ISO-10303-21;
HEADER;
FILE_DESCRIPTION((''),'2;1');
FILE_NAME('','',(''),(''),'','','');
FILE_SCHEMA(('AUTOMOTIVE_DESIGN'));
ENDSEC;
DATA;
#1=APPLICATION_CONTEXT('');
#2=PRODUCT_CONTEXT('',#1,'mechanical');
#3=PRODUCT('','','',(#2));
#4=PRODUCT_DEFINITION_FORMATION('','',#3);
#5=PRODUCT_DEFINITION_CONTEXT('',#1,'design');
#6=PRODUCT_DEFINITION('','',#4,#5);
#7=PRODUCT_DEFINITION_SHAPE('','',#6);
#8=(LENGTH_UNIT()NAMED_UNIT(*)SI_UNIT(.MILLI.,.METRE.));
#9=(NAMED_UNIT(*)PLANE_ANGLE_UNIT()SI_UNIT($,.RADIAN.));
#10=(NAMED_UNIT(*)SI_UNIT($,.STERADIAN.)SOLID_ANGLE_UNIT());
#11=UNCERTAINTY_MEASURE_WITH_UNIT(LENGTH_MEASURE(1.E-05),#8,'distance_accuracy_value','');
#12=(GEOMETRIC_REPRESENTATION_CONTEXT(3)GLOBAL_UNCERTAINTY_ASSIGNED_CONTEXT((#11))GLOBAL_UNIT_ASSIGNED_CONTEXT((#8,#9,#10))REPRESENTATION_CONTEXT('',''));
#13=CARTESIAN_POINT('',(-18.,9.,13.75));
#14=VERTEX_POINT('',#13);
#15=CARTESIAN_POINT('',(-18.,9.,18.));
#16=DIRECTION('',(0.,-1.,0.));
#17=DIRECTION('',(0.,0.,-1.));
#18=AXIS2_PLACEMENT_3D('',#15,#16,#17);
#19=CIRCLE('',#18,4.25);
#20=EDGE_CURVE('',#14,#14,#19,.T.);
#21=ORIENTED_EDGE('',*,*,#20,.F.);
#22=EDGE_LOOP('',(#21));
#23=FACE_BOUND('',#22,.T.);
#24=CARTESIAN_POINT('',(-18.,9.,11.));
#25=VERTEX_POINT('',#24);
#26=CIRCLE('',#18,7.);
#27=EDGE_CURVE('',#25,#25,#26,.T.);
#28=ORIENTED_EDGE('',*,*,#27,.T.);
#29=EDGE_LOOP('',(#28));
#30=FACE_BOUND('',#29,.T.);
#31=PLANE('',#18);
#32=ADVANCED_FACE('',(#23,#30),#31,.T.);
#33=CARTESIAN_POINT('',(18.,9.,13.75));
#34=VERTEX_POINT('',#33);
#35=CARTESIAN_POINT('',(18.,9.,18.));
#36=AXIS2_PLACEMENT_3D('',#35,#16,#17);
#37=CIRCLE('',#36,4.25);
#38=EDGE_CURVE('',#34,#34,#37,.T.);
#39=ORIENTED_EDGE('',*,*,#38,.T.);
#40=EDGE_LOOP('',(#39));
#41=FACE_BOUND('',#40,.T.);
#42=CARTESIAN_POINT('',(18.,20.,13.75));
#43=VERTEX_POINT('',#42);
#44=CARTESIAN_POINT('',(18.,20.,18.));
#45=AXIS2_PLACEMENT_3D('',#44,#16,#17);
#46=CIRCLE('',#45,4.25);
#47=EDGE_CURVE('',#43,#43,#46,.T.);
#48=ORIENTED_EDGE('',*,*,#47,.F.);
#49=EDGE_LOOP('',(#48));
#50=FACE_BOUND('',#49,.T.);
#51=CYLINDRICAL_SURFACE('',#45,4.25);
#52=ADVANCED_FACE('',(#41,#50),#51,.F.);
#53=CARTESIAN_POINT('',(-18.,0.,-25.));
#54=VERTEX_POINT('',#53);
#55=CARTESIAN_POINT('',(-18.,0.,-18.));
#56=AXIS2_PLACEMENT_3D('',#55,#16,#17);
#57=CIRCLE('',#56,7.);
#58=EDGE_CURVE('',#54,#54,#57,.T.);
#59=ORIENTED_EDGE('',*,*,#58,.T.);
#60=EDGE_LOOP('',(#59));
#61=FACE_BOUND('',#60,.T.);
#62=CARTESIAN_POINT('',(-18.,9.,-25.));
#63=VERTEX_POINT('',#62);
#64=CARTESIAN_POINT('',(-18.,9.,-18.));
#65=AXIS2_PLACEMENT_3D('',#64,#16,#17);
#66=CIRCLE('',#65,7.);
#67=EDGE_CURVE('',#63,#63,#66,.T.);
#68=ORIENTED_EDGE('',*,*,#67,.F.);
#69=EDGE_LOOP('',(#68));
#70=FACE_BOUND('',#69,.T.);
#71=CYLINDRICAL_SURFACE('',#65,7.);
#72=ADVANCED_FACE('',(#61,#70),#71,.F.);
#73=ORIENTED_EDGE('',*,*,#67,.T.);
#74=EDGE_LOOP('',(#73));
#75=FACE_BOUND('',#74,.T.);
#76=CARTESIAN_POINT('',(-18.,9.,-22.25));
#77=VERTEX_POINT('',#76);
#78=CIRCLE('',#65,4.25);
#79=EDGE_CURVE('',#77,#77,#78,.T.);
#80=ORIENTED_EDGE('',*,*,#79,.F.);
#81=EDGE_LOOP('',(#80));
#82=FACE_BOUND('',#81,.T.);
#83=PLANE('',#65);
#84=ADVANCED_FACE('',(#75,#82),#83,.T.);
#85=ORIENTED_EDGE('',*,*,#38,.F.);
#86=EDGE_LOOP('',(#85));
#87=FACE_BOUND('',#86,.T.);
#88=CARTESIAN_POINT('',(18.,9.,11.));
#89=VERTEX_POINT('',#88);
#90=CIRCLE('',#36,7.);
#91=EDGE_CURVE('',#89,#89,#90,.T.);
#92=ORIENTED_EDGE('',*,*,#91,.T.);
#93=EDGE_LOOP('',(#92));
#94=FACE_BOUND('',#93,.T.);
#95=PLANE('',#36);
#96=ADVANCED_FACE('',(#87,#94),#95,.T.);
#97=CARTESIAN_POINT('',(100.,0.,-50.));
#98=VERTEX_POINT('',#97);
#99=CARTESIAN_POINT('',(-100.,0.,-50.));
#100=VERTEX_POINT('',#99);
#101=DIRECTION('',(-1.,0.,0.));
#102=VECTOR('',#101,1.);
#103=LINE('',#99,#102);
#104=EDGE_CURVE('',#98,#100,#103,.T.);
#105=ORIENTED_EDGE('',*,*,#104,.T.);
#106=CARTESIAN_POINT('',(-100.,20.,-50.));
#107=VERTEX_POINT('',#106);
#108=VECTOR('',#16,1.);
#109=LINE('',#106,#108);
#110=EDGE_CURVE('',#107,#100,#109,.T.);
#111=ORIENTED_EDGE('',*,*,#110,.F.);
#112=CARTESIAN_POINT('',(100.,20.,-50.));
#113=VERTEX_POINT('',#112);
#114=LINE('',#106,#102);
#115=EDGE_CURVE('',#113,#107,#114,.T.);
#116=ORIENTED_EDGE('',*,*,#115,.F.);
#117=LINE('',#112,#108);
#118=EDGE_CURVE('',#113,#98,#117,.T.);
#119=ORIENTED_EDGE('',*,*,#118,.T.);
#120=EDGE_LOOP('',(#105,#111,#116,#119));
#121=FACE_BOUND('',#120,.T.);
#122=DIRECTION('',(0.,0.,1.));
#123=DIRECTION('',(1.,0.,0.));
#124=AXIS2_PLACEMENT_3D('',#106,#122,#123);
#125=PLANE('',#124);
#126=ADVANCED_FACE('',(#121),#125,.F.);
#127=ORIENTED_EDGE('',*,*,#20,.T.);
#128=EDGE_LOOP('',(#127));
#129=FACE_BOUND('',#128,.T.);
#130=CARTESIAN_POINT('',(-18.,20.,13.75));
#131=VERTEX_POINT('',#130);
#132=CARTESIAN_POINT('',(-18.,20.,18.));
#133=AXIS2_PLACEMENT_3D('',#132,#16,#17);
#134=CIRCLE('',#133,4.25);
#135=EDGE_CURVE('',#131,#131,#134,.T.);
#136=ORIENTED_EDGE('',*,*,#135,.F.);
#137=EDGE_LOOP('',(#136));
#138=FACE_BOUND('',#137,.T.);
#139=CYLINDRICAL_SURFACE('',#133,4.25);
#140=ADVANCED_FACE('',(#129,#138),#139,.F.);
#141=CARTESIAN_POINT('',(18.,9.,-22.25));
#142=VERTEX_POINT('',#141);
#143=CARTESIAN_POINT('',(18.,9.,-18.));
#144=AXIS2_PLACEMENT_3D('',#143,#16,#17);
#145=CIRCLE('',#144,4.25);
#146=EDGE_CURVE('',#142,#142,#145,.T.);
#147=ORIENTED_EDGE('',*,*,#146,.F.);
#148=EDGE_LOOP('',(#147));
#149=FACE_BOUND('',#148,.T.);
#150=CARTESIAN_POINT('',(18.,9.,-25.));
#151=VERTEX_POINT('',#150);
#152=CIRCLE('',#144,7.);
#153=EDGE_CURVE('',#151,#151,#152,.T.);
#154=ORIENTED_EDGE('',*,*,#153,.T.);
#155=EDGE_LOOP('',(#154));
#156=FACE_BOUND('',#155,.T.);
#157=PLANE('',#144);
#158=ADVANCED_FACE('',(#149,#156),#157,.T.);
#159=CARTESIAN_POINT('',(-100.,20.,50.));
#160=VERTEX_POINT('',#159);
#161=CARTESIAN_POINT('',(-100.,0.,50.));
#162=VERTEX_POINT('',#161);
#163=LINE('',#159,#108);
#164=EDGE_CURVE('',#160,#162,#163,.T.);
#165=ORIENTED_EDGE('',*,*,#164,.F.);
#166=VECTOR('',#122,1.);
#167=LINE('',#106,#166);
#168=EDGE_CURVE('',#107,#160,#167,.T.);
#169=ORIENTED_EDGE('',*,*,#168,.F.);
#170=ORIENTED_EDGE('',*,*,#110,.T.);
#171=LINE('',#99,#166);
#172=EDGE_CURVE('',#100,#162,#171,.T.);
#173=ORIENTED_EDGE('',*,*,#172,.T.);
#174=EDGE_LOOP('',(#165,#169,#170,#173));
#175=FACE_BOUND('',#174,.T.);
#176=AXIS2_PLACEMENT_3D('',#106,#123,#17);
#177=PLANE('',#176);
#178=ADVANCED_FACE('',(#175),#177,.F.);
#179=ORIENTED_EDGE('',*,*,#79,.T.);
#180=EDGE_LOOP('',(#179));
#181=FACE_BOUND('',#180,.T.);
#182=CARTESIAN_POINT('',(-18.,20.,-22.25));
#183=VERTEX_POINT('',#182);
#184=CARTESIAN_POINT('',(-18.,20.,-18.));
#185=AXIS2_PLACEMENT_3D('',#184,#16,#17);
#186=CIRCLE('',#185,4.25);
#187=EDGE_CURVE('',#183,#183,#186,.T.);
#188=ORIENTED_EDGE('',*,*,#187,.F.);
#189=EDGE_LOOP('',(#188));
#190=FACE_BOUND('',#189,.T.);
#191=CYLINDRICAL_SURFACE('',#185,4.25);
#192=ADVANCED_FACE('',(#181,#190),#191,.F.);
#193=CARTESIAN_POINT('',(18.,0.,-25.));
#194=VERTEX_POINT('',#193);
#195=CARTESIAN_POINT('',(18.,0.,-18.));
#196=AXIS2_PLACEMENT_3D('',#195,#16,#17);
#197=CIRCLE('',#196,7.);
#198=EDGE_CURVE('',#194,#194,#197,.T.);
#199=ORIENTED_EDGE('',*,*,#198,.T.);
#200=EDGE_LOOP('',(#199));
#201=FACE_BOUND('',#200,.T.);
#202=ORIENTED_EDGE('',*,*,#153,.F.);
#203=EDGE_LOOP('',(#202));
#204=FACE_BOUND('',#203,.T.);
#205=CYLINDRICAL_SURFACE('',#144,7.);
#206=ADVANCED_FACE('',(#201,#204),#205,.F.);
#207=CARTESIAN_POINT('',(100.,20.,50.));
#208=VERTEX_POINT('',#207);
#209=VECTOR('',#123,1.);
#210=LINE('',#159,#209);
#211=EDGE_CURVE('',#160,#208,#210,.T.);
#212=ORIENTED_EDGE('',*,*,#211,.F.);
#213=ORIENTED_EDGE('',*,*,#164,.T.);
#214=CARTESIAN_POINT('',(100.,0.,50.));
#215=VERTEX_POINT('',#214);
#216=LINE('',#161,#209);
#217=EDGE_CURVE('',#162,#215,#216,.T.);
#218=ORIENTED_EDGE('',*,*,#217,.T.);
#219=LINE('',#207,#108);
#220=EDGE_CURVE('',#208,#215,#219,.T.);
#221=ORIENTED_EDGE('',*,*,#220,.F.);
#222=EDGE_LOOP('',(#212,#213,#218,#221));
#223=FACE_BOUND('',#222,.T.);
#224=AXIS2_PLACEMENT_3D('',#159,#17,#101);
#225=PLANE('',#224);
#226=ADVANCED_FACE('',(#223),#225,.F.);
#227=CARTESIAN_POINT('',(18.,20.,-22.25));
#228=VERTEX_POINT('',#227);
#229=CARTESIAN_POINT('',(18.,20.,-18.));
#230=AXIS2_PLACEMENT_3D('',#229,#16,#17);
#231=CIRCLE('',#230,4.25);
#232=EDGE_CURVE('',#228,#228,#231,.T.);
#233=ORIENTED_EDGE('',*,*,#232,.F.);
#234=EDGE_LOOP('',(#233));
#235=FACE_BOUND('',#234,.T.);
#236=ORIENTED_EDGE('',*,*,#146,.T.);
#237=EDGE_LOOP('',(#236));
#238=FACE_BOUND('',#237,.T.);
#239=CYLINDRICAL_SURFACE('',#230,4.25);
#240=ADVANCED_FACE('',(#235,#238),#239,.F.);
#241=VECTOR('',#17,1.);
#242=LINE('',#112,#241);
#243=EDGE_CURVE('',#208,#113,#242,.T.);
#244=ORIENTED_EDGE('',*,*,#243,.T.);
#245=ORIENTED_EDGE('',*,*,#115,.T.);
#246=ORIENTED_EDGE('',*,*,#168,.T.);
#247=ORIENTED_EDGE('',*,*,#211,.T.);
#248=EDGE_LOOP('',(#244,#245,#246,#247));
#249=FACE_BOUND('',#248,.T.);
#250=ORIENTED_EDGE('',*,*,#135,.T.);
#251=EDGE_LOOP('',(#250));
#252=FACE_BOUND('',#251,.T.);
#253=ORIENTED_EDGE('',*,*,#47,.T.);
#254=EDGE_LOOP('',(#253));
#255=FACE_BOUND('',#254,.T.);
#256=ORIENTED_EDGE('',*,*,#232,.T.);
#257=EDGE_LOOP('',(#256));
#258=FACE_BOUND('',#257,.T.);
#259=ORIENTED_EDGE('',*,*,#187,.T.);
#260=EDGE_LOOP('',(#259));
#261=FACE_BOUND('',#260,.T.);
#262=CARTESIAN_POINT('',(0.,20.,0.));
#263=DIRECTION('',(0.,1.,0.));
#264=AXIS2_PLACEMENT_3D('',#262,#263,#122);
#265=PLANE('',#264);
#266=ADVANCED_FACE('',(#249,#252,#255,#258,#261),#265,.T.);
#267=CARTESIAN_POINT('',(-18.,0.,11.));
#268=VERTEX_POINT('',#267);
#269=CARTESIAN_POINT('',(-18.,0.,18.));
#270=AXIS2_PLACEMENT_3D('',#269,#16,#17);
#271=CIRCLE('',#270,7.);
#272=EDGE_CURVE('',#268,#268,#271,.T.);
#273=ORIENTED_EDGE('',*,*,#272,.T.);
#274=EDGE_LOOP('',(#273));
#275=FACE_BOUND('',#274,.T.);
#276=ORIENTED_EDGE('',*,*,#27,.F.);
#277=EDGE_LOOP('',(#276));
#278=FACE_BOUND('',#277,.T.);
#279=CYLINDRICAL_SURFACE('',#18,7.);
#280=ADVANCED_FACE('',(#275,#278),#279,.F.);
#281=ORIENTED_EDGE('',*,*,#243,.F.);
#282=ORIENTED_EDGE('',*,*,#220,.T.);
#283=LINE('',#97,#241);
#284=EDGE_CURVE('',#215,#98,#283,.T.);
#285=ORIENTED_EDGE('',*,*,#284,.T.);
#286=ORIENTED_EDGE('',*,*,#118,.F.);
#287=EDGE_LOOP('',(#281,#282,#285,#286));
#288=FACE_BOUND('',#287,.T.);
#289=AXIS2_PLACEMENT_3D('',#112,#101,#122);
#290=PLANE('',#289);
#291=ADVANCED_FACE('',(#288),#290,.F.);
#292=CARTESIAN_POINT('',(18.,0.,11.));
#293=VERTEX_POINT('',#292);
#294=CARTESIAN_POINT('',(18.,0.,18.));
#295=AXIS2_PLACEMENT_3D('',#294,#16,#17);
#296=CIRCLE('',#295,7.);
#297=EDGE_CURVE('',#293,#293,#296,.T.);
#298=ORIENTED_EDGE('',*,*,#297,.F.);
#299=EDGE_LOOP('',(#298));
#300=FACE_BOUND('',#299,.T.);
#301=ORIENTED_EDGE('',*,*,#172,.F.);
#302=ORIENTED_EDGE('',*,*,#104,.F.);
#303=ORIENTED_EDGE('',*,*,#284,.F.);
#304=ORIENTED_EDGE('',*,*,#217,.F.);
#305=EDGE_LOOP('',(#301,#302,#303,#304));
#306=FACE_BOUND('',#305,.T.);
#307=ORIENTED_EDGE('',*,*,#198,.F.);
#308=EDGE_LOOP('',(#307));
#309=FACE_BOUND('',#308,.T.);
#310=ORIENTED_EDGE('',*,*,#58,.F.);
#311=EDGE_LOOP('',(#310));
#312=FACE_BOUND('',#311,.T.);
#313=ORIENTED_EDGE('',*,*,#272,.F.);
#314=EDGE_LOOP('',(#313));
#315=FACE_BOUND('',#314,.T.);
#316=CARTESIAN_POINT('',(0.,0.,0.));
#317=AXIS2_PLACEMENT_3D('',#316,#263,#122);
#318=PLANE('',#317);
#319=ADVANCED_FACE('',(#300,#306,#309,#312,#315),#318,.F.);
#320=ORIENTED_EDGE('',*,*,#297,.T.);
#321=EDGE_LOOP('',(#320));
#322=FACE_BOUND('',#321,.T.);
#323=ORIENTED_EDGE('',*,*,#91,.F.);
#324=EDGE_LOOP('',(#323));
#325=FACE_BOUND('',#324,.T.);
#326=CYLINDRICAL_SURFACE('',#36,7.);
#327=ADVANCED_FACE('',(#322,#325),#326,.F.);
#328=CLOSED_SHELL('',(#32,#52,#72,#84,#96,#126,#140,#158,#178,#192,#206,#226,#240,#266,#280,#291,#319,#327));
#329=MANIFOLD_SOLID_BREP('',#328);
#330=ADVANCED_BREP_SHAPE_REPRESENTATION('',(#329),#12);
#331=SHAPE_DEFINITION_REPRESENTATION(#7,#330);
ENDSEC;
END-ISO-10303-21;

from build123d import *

# Parameters (mm, degrees)
CROQUIS1_W              = 200
CROQUIS1_H              = 100
SALIENTE_EXTRUIR1_DEPTH = 20
CROQUIS2_R              = 7
CORTAR_EXTRUIR1_DEPTH   = 9
CROQUIS3_R              = 4.25
CORTAR_EXTRUIR2_DEPTH   = 113.343224095


with BuildPart() as part:
    # Croquis1 → Saliente-Extruir1 (new body)
    with BuildSketch(Plane(origin=(0, 0, 0), x_dir=(1, 0, 0), z_dir=(0, 1, 0))):
        Rectangle(CROQUIS1_W, CROQUIS1_H)
    extrude(amount=SALIENTE_EXTRUIR1_DEPTH)

    # Croquis2 → Cortar-Extruir1 (cut)
    with BuildSketch(Plane.XZ):
        with Locations(Location((-18, 18, 0), (0, 0, 270))):
            Circle(CROQUIS2_R)
        with Locations(Location((-18, -18, 0), (0, 0, 270))):
            Circle(CROQUIS2_R)
        with Locations(Location((18, 18, 0), (0, 0, 270))):
            Circle(CROQUIS2_R)
        with Locations(Location((18, -18, 0), (0, 0, 270))):
            Circle(CROQUIS2_R)
    extrude(amount=-CORTAR_EXTRUIR1_DEPTH, mode=Mode.SUBTRACT)

    # Croquis3 → Cortar-Extruir2 (cut, through all)
    with BuildSketch(Plane.XZ.offset(-9)):
        with Locations(Location((-18, 18, 0), (0, 0, 270))):
            Circle(CROQUIS3_R)
        with Locations(Location((18, 18, 0), (0, 0, 270))):
            Circle(CROQUIS3_R)
        with Locations(Location((18, -18, 0), (0, 0, 270))):
            Circle(CROQUIS3_R)
        with Locations(Location((-18, -18, 0), (0, 0, 270))):
            Circle(CROQUIS3_R)
    extrude(amount=-CORTAR_EXTRUIR2_DEPTH, mode=Mode.SUBTRACT)


solid = part.part
